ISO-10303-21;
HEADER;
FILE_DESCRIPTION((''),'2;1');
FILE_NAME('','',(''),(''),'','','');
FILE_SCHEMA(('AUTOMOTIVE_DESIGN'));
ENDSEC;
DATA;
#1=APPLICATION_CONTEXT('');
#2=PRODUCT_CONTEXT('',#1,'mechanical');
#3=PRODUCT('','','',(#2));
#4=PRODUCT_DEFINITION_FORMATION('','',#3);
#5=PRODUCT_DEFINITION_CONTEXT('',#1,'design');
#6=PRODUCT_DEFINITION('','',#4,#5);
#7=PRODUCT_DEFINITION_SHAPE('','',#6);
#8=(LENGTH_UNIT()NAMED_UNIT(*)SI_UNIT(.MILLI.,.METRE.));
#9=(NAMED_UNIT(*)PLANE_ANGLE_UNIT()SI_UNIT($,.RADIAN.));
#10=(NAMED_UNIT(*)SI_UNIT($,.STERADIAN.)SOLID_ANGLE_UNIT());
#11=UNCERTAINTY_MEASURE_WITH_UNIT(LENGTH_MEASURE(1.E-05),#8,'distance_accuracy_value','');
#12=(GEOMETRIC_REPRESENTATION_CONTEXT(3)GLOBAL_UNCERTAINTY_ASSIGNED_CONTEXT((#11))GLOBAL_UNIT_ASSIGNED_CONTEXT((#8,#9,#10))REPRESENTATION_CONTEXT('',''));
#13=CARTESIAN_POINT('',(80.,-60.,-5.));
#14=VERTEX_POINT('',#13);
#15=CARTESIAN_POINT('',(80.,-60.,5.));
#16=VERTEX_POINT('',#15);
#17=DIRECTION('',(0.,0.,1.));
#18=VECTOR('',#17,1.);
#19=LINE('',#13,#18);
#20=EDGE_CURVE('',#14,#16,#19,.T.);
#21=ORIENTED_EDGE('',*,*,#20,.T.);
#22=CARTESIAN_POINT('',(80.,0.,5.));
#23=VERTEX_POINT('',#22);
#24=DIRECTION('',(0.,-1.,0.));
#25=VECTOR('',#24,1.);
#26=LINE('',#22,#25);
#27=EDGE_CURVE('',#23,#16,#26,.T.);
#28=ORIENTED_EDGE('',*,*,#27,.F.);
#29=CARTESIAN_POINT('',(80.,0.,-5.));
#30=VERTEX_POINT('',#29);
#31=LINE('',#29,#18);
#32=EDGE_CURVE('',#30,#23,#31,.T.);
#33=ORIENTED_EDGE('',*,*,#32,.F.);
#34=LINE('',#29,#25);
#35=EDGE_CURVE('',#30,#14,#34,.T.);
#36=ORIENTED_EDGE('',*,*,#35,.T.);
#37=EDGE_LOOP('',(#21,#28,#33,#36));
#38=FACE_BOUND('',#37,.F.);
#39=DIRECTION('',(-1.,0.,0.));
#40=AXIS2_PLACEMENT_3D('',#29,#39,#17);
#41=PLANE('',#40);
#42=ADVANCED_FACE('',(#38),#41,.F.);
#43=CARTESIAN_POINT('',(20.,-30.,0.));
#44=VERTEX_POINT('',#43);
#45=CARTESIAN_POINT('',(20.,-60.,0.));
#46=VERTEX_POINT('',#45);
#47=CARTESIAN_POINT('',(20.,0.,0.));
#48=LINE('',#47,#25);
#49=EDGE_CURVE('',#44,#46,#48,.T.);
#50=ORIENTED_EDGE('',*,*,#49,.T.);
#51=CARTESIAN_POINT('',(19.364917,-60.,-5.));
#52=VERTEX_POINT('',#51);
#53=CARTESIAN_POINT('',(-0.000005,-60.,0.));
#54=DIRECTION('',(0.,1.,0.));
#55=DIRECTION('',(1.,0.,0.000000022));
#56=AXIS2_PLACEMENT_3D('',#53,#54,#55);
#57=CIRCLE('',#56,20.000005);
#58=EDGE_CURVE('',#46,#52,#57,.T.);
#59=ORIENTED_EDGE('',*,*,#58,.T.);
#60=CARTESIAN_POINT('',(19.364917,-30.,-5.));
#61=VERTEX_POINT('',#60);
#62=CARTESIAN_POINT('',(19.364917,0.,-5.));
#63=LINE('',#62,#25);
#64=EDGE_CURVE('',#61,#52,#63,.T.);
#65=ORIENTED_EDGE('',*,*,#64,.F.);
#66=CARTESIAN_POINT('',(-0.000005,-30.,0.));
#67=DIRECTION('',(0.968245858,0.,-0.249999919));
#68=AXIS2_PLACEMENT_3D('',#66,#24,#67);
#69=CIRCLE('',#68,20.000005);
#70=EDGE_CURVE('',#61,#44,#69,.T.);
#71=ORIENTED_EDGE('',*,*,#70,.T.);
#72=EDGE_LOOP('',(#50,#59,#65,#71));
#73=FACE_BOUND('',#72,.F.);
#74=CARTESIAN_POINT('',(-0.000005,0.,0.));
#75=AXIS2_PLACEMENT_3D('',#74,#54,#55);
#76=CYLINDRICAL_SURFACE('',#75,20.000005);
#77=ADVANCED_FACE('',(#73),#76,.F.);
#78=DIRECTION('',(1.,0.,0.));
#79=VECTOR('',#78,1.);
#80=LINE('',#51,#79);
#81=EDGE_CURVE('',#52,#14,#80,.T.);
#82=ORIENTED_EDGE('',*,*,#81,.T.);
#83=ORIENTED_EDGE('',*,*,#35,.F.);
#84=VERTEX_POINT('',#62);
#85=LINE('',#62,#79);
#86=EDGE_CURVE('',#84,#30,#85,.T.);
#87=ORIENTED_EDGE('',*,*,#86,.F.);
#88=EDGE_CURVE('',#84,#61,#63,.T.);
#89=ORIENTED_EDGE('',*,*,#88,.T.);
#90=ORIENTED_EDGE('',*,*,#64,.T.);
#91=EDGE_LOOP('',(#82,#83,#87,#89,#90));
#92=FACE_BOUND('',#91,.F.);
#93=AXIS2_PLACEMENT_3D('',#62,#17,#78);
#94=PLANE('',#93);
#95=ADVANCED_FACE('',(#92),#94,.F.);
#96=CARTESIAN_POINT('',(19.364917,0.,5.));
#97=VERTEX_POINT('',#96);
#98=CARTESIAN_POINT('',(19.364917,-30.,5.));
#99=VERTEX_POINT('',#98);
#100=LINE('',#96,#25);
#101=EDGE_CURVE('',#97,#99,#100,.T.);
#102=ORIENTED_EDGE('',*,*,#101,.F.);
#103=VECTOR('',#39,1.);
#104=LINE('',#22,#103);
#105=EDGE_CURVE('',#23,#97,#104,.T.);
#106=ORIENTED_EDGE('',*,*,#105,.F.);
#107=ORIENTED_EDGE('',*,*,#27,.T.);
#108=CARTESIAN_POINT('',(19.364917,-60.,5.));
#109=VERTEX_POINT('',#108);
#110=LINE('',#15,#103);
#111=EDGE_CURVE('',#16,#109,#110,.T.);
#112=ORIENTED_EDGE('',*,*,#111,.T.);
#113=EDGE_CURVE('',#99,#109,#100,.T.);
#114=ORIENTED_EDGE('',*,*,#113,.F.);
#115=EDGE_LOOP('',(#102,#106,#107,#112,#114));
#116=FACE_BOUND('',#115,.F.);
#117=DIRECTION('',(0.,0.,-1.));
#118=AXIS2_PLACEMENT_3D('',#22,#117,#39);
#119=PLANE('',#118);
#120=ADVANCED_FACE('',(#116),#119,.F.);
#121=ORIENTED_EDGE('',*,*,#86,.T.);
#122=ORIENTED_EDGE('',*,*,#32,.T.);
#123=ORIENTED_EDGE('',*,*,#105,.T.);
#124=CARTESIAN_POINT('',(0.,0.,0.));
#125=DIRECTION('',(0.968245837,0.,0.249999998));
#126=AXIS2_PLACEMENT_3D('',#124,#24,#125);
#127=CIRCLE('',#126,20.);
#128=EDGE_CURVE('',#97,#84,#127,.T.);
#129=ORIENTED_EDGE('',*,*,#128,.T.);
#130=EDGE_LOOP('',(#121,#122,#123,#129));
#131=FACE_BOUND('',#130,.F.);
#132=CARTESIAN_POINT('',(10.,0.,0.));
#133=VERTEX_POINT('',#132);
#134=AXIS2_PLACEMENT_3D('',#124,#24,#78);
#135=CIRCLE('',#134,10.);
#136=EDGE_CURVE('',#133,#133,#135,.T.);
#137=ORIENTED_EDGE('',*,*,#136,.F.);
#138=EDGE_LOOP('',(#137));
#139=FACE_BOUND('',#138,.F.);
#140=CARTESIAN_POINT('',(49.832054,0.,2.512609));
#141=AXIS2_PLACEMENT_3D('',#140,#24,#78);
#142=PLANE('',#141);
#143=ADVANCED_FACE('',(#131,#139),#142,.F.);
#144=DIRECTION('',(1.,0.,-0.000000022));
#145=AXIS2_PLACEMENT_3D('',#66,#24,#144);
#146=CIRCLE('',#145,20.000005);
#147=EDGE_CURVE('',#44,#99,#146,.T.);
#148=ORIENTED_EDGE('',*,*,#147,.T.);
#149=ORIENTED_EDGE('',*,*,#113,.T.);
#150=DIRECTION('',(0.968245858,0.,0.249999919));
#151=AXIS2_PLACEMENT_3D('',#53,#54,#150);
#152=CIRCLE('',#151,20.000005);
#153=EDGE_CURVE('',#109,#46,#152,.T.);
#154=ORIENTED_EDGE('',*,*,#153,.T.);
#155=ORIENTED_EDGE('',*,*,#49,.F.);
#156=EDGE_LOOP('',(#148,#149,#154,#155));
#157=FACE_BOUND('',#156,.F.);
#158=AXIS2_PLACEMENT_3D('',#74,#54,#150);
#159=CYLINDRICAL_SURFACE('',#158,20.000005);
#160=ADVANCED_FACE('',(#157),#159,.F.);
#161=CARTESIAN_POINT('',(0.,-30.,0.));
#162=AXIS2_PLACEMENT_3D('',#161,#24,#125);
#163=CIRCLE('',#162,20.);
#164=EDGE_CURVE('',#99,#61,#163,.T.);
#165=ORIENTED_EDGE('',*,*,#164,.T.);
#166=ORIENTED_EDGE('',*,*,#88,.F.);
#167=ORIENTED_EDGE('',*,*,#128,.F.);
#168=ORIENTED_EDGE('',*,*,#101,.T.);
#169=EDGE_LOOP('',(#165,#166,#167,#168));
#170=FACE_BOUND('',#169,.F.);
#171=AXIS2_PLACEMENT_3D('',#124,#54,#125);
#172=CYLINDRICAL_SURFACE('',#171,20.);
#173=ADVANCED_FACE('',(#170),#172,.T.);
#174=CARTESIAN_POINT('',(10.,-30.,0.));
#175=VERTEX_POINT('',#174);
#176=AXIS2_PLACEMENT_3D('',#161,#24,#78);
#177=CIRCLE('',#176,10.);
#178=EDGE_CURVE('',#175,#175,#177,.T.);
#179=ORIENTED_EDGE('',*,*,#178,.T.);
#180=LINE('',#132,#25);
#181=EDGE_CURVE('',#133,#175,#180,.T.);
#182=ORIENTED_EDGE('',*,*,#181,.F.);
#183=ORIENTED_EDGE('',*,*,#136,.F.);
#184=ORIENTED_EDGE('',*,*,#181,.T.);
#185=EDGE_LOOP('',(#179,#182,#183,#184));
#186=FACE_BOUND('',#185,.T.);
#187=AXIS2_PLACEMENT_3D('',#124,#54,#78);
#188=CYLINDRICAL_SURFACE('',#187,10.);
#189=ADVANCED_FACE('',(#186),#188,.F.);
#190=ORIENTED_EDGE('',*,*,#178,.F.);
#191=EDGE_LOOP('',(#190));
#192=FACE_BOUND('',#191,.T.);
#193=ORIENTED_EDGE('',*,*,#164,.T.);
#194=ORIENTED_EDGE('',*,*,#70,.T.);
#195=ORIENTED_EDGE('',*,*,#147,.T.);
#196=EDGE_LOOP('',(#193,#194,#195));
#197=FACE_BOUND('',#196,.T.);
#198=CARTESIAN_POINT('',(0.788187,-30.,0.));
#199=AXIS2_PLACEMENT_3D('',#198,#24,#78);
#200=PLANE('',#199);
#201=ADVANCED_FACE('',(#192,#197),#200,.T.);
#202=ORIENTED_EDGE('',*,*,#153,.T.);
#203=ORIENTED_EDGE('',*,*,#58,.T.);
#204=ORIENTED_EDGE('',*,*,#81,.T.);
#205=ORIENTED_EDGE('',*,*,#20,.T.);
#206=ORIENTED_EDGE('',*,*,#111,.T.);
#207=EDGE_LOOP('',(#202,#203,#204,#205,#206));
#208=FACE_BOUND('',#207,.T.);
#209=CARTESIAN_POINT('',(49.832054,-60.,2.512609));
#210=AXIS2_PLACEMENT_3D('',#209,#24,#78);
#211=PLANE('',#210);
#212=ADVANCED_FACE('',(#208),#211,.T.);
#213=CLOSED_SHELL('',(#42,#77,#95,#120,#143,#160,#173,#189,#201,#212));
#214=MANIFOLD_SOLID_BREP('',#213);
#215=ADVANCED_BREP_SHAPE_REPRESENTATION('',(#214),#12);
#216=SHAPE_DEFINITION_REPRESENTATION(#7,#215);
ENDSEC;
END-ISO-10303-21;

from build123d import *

# Parameters (mm, degrees)
F0_R     = 10
F1_DEPTH = 30
F2_DEPTH = 60


with BuildPart() as f1:
    # F0 (on Front) → F1 (new body)
    with BuildSketch(Plane.XZ):
        with BuildLine():
            ThreePointArc((19.364917, -5), (19.840594, -2.520086), (20, 0))
            ThreePointArc((20, 0), (19.840594, 2.520086), (19.364917, 5))
            ThreePointArc((19.364917, 5), (-20, 0), (19.364917, -5))
        make_face()
        Circle(F0_R, mode=Mode.SUBTRACT)
    extrude(amount=F1_DEPTH)

    # F0 (on Front) → F2 (join)
    with BuildSketch(Plane.XZ):
        with BuildLine():
            ThreePointArc((19.364917, 5), (19.840594, 2.520086), (20, 0))
            Line((20, 0), (80, 0))
            Line((80, 0), (80, 5))
            Line((80, 5), (19.364917, 5))
        make_face()
        with BuildLine():
            Line((80, 0), (20, 0))
            ThreePointArc((20, 0), (19.840594, -2.520086), (19.364917, -5))
            Line((19.364917, -5), (80, -5))
            Line((80, -5), (80, 0))
        make_face()
    extrude(amount=F2_DEPTH)


solid = f1.part
